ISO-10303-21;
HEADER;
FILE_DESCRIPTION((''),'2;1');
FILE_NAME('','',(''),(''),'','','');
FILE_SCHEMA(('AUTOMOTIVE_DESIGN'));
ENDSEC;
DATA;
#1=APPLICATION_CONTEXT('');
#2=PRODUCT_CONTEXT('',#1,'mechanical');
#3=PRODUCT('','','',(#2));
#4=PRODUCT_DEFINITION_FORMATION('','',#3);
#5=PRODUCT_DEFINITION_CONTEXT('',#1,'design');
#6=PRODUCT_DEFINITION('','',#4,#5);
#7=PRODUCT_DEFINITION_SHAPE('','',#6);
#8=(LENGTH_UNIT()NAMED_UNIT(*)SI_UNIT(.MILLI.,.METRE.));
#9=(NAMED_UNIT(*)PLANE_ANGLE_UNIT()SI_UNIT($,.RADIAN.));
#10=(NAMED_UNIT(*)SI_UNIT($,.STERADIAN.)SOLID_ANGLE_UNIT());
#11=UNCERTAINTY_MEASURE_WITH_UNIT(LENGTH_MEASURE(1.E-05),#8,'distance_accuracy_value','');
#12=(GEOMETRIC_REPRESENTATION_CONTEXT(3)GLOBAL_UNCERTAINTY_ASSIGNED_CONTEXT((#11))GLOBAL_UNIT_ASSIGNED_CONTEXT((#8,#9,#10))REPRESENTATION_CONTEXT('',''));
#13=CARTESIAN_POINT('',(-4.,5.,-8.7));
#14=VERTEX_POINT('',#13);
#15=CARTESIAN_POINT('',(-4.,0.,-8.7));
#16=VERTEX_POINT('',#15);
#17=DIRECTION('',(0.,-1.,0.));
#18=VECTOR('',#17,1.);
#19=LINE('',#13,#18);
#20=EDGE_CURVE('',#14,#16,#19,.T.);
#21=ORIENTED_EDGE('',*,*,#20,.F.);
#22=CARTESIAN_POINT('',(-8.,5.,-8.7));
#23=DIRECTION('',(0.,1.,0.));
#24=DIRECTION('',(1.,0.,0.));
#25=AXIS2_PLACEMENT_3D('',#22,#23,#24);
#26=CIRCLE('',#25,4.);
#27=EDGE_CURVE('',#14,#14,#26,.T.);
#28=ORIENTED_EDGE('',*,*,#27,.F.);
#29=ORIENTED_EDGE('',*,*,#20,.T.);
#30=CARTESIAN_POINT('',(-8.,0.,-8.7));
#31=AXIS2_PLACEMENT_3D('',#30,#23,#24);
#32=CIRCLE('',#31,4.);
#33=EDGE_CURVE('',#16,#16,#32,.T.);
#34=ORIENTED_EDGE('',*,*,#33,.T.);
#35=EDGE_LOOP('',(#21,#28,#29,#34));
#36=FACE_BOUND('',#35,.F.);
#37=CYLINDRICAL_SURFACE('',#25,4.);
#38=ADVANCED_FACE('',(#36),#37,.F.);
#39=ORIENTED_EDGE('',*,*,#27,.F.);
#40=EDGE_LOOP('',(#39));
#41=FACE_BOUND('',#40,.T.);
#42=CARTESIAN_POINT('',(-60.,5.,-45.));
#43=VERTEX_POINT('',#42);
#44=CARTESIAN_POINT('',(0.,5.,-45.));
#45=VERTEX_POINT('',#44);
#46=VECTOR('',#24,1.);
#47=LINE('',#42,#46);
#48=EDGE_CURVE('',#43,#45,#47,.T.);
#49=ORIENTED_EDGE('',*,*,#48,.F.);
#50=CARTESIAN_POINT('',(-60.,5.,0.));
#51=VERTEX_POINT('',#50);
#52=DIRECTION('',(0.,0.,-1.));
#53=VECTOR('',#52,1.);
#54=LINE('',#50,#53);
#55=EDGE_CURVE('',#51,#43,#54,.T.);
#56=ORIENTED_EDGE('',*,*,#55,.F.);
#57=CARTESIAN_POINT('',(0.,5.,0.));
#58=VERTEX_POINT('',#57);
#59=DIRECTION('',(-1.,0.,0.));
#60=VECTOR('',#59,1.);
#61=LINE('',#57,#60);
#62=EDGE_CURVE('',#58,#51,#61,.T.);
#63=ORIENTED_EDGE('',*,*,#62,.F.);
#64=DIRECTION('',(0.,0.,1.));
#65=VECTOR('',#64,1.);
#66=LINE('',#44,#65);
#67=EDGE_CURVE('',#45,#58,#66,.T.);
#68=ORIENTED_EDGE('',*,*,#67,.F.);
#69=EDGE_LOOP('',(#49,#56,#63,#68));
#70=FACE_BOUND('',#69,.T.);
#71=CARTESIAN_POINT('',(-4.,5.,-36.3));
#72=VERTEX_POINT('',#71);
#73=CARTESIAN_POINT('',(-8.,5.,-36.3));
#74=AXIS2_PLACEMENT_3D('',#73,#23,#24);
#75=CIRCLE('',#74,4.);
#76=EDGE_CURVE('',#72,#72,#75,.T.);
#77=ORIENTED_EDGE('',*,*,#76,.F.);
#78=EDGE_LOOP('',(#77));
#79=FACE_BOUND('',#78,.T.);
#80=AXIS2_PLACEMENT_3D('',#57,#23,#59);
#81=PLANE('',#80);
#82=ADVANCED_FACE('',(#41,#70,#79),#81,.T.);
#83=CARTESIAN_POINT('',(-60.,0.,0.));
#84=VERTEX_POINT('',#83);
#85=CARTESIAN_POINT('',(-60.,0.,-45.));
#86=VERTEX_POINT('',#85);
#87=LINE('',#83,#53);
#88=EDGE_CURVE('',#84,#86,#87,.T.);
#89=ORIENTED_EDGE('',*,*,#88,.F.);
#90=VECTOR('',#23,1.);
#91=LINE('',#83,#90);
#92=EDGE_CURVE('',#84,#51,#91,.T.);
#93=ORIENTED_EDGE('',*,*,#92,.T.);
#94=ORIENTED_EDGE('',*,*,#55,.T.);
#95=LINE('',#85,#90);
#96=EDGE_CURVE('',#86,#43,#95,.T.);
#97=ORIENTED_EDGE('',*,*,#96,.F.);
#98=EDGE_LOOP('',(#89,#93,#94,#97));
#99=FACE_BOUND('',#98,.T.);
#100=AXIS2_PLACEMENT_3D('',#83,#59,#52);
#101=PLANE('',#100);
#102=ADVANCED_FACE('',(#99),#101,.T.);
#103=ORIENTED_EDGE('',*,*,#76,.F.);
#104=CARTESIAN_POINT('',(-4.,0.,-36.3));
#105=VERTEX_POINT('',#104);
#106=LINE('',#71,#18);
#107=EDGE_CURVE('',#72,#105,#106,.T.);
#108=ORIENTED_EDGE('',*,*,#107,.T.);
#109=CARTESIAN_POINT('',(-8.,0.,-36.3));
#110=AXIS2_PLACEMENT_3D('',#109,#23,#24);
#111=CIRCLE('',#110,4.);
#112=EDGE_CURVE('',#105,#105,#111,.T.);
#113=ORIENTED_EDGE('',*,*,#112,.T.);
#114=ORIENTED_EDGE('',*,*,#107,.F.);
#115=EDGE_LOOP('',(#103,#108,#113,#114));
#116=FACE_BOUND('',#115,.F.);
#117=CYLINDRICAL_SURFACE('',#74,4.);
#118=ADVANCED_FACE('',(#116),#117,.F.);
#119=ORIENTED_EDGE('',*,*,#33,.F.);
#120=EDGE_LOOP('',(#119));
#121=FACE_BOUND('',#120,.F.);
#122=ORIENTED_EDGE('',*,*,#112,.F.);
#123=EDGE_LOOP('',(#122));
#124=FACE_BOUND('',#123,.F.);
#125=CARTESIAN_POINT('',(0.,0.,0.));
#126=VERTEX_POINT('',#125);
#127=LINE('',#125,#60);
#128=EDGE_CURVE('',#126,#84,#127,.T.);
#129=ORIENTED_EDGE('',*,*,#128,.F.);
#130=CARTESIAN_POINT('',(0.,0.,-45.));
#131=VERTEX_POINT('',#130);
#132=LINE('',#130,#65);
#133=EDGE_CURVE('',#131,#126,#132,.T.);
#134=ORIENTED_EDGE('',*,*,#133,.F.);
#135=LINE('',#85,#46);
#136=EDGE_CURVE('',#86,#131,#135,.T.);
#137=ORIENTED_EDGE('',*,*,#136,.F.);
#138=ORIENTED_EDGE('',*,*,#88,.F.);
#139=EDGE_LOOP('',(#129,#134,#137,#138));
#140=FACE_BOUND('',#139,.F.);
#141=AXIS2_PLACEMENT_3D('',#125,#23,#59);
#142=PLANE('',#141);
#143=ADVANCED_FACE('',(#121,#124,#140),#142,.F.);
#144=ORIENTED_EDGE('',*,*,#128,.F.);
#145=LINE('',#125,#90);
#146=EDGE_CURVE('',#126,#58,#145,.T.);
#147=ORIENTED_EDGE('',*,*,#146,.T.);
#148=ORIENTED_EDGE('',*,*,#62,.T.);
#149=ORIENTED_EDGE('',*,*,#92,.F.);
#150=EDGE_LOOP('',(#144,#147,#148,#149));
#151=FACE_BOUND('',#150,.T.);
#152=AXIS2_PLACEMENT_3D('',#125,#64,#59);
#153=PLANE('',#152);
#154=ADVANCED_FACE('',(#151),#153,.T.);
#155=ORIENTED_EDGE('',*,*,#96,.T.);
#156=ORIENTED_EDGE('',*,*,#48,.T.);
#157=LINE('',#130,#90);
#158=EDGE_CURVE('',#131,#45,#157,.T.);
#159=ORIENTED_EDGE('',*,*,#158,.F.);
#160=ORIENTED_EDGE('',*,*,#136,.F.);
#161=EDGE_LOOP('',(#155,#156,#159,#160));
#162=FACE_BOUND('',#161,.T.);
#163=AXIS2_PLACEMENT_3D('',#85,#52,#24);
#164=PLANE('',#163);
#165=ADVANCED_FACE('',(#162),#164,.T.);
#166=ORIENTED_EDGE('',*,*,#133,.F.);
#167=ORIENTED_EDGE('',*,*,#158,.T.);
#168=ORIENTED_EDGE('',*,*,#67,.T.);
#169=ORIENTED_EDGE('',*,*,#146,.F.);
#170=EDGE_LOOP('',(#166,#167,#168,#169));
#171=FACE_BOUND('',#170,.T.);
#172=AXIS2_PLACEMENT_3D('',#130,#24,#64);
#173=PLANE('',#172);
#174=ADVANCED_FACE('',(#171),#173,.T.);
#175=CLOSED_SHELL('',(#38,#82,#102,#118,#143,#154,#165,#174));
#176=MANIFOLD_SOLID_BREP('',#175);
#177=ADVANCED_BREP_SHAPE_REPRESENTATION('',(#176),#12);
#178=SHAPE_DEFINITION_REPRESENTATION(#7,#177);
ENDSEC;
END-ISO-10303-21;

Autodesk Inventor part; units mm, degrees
ref_plane "YZ Plane" through (0, 0, 0) normal (1, 0, 0) x (0, 1, 0)
ref_plane "XZ Plane" through (0, 0, 0) normal (0, 1, 0) x (-1, 0, 0)
ref_plane "XY Plane" through (0, 0, 0) normal (0, 0, 1) x (1, 0, 0)
sketch "Sketch1" plane through (0, 0, 0) normal (0, 1, 0) x (-1, 0, 0)
  line L0 (0, 0) -> (60, 0)
  line L1 (60, 0) -> (60, -45)
  line L2 (60, -45) -> (0, -45)
  line L3 (0, -45) -> (0, 0)
  dimension "d0" = 60
  dimension "d1" = 45
extrude "Extrusion1" add sketch "Sketch1" along normal blind 5
sketch "Sketch2" plane through (0, 5, 0) normal (0, 1, 0) x (1, 0, 0)
  line L0 (-60, 0) -> (0, 0) projected
  line L1 (0, 0) -> (0, 45) projected
  line L2 (0, 45) -> (-60, 45) projected
  line L3 (-60, 45) -> (-60, 0) projected
  circle A0 centre (-8, 36.3) radius 4
  line L4 (-24.9532, 22.5) -> (-60, 22.5)
  circle A1 centre (-8, 8.7) radius 4
  dimension "d5" = 45
  dimension "d7" = 8
  dimension "d8" = 8.7
  dimension "d10" = 8
extrude "Extrusion3" cut sketch "Sketch2" against normal up to next contours A0 | A1
equation "\"d7\" = d4"
equation "\"d10\" = d9"
equation "\"d6\" = d4"
equation "\"d9\" = d6"
equation "\"d4\" = 8"
properties part number "MotorFixer"
